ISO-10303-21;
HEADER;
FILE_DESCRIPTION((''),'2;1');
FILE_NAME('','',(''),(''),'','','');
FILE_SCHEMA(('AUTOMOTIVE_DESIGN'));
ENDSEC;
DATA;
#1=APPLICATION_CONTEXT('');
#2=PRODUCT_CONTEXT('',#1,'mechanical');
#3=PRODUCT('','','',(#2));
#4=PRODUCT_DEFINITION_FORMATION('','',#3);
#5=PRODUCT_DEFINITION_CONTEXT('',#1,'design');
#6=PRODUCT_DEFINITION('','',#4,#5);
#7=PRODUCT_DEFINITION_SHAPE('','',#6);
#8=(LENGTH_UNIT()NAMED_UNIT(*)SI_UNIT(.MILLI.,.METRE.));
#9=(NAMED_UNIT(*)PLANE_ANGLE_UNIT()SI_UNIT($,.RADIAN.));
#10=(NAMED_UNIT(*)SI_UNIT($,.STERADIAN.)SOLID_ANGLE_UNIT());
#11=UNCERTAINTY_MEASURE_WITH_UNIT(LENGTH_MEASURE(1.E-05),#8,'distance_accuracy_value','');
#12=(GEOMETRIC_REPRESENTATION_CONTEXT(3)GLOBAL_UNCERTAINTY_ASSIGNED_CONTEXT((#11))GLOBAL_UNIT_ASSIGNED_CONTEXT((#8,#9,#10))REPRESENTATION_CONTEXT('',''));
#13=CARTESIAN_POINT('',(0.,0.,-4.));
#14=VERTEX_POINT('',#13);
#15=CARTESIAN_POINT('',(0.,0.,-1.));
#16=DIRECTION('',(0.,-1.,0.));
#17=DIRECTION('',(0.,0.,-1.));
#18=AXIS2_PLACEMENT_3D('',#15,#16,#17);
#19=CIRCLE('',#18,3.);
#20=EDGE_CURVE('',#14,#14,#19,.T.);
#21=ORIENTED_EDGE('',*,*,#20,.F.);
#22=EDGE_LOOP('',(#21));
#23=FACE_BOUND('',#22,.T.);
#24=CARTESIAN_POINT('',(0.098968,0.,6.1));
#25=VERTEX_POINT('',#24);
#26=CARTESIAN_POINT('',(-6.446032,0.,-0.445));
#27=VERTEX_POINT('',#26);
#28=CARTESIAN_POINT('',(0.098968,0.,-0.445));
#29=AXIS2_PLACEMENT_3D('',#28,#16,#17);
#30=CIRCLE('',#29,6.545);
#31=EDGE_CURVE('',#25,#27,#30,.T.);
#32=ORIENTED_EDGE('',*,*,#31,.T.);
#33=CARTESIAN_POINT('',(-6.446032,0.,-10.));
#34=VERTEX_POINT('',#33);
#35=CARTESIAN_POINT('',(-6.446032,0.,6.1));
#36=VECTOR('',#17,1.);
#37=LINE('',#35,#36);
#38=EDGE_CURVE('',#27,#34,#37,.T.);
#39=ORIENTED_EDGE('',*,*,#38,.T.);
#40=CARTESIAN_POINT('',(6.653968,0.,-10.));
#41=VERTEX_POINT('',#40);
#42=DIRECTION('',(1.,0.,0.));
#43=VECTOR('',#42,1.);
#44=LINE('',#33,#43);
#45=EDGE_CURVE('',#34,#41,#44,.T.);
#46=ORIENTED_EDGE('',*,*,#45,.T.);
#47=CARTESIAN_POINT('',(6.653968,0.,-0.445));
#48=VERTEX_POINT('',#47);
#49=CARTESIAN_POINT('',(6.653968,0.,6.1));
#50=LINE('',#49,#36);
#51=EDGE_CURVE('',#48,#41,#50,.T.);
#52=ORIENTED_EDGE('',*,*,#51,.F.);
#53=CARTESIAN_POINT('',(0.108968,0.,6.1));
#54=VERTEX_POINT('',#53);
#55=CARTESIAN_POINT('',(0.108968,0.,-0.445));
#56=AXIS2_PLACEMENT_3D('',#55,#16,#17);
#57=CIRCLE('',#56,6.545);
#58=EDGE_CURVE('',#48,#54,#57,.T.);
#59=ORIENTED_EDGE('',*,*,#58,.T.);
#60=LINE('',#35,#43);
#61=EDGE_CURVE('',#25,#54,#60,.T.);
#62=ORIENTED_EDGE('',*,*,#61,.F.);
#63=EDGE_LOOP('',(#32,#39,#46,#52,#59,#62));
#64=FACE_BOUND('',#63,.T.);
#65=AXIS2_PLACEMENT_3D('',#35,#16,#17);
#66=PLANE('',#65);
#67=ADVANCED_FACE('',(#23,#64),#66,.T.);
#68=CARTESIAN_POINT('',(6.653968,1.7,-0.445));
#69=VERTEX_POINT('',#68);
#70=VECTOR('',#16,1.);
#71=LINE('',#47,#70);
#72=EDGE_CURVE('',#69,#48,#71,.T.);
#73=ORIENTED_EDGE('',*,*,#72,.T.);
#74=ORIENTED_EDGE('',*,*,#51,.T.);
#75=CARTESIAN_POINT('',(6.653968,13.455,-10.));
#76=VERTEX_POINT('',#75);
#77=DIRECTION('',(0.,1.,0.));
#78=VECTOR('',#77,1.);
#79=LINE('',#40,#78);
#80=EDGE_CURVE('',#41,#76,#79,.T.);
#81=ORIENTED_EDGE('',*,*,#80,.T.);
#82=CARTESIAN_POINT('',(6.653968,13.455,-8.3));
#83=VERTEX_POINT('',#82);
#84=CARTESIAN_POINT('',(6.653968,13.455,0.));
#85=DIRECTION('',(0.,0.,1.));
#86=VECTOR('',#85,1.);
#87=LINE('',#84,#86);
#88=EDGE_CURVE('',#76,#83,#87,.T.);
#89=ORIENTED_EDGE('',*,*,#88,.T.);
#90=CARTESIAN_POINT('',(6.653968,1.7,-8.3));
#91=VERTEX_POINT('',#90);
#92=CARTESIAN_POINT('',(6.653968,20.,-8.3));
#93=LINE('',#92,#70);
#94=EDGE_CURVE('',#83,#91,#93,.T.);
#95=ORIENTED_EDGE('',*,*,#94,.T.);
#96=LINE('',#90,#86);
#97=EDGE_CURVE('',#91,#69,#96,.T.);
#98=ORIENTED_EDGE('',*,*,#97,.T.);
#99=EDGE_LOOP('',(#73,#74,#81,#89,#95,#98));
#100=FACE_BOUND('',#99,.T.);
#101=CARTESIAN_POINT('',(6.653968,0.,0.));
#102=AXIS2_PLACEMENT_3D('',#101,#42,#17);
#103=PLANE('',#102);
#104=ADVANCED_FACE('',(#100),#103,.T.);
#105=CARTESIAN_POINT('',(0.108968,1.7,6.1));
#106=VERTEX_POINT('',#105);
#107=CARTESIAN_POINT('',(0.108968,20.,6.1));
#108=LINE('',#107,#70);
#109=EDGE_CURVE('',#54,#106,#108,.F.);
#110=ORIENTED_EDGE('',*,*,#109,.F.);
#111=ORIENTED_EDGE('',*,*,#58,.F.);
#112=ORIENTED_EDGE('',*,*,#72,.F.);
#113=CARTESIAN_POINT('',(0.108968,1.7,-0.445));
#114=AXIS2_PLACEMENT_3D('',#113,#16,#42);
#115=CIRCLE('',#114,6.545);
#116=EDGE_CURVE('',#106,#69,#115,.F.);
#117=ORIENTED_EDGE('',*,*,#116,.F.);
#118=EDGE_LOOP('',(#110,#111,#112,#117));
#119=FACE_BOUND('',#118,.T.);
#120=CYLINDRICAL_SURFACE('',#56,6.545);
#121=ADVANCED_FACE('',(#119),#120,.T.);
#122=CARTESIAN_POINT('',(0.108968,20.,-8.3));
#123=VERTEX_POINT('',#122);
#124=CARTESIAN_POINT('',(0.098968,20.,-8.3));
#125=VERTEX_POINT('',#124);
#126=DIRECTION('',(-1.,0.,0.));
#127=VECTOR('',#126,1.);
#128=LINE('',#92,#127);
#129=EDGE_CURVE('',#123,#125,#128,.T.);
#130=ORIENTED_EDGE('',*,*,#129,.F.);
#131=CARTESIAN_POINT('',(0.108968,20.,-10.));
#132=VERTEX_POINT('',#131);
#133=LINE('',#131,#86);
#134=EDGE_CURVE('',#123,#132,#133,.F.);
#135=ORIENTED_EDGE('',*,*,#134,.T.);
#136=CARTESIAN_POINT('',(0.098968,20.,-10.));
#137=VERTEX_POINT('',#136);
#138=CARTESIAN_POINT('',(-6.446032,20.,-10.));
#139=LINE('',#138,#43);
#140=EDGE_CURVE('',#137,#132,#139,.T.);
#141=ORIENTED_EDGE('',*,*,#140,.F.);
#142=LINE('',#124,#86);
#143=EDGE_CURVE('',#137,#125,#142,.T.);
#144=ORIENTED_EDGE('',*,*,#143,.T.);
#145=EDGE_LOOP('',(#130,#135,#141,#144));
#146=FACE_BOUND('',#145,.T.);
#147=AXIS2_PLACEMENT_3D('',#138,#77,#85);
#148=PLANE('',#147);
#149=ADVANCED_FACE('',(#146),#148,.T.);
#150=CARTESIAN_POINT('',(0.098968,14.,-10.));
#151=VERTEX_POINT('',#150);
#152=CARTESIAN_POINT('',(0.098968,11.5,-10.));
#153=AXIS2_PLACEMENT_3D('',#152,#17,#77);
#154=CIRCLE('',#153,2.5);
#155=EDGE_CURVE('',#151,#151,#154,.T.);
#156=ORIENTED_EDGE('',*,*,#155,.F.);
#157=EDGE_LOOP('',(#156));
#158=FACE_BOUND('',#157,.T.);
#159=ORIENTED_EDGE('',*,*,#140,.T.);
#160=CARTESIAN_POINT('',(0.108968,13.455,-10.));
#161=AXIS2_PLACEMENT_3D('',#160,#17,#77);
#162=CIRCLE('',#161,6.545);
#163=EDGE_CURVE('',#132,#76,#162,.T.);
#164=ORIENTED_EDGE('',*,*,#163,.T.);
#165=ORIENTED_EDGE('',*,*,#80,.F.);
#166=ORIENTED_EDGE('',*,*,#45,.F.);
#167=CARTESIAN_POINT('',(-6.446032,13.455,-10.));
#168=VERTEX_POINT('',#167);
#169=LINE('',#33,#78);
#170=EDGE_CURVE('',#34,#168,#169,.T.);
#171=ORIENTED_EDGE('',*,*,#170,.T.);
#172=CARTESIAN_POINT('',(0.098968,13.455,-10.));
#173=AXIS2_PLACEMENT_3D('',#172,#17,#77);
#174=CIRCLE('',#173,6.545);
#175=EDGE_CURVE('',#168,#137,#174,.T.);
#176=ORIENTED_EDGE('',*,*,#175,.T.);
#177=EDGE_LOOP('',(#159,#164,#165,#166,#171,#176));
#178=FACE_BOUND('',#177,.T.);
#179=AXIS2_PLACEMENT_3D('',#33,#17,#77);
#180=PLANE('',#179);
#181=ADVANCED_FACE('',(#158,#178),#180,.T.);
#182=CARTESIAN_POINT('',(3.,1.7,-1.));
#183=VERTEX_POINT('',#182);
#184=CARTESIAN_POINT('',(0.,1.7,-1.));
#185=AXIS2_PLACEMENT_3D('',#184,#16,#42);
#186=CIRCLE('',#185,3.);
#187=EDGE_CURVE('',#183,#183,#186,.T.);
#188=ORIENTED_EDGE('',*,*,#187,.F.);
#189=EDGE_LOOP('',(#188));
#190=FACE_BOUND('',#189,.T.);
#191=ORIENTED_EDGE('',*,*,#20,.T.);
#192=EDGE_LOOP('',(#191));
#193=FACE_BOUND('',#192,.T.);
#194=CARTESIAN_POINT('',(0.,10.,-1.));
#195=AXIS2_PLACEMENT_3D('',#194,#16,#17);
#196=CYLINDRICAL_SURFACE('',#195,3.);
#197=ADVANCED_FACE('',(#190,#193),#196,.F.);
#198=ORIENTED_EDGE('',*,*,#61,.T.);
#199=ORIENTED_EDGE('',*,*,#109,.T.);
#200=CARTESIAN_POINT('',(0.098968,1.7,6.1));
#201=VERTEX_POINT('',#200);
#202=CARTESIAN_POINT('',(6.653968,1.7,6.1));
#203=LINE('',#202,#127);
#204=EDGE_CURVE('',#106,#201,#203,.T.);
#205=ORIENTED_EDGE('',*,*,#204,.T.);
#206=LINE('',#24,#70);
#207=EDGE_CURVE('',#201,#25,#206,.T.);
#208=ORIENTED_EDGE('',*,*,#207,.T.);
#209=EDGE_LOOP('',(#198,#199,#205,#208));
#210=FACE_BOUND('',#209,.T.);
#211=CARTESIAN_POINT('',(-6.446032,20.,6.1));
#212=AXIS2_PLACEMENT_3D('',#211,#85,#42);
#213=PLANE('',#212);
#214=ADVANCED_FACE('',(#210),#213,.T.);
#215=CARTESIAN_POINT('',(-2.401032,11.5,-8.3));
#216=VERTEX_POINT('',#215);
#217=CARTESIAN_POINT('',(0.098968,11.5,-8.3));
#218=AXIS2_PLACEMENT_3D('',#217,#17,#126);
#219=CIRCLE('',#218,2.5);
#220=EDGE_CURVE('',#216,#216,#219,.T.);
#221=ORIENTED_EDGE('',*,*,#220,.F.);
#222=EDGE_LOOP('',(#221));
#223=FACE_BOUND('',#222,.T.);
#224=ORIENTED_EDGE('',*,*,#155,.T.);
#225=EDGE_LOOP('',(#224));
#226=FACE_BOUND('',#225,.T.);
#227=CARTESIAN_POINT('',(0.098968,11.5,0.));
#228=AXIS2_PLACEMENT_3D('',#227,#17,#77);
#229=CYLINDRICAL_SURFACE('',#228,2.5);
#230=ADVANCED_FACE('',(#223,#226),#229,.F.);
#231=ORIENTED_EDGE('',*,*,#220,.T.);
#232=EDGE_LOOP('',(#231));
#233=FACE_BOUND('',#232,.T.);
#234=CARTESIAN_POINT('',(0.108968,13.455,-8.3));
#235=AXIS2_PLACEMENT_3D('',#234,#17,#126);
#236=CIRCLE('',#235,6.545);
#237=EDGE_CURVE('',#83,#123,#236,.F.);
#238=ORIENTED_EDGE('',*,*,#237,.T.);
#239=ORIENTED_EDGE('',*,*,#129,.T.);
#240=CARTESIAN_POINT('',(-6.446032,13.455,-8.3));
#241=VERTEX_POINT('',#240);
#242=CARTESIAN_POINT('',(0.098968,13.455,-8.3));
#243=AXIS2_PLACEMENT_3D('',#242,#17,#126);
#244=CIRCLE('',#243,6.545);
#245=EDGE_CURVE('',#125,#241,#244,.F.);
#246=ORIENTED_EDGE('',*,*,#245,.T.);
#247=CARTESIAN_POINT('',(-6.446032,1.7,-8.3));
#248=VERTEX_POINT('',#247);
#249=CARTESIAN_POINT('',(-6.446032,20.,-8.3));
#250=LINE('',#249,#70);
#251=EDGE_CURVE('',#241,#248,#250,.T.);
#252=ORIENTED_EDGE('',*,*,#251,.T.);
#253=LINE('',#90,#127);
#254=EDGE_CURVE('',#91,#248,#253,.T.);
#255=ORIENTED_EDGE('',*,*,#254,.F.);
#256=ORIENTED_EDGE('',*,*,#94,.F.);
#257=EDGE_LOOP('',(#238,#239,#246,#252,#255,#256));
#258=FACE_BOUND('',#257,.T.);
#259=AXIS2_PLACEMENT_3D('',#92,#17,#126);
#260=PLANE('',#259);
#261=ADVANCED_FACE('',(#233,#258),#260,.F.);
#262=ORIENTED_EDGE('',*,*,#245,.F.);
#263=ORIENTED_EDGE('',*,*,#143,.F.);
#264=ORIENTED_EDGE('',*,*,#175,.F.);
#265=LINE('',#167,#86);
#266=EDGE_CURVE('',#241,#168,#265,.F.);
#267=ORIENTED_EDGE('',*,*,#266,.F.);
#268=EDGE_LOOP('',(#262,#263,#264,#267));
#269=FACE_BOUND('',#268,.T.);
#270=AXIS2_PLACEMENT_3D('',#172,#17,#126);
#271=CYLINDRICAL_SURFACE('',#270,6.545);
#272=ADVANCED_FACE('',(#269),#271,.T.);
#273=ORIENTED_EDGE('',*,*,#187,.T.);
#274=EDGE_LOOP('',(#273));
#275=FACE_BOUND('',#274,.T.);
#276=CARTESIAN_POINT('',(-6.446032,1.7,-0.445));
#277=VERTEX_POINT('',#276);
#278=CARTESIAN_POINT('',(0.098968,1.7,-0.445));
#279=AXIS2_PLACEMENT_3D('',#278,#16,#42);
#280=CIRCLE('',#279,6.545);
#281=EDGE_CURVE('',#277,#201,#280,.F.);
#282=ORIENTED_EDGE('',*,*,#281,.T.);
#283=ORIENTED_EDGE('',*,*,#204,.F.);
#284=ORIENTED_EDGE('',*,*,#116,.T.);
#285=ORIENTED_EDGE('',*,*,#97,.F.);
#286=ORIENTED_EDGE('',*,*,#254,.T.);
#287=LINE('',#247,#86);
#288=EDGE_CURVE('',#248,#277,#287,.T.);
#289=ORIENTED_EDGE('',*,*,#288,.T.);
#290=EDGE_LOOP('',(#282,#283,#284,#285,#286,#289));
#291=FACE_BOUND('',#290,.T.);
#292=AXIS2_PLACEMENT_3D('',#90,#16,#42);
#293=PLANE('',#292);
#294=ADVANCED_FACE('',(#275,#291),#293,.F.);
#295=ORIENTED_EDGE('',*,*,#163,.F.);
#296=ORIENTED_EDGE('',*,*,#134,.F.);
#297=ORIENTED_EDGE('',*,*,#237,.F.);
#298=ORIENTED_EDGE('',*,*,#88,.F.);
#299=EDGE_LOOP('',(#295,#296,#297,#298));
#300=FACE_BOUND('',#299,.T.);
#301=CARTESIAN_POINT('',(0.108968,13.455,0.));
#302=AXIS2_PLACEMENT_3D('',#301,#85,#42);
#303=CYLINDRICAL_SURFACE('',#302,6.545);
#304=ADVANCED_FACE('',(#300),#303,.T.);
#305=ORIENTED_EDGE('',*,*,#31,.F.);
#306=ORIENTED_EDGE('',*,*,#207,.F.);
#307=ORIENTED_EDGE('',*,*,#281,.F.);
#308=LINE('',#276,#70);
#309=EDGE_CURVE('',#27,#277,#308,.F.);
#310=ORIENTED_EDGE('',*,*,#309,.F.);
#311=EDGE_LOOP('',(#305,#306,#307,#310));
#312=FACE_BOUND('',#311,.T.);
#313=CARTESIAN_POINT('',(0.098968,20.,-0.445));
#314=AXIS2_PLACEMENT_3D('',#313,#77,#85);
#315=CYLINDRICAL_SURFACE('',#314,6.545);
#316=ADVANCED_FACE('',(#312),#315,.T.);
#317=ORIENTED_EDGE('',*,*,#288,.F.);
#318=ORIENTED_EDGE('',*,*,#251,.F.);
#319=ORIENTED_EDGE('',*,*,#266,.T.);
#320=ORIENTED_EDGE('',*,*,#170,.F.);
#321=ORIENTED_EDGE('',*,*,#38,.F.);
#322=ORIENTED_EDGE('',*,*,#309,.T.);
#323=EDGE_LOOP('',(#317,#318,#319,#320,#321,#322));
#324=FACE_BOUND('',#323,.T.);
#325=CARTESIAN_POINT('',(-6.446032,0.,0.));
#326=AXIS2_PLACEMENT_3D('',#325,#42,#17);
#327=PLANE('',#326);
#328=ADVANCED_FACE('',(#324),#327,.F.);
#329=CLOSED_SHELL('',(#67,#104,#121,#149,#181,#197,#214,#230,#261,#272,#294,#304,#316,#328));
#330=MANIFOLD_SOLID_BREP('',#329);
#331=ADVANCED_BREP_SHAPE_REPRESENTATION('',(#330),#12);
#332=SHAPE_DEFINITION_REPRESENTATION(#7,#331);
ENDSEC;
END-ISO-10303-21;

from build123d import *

# Parameters (mm, degrees)
SKETCH1_W           = 16.1
SKETCH1_H           = 20
BOSS_EXTRUDE1_DEPTH = 13.1
SKETCH2_W           = 14.4
SKETCH2_H           = 18.3
CUT_EXTRUDE1_DEPTH  = 26.915439414
FILLET1_R           = 6.545
SKETCH20_R          = 3
CUT_EXTRUDE2_DEPTH  = 10
SKETCH21_R          = 2.5
CUT_EXTRUDE3_DEPTH  = 10


with BuildPart() as part:
    # Sketch1 → Boss-Extrude1 (new body)
    with BuildSketch(Plane(origin=(6.653968254, 0, 0), x_dir=(0, 0, -1), z_dir=(1, 0, 0))):
        with Locations((1.95, 10)):
            Rectangle(SKETCH1_W, SKETCH1_H)
    extrude(amount=-BOSS_EXTRUDE1_DEPTH)

    # Sketch2 → Cut-Extrude1 (cut, through all)
    with BuildSketch(Plane.ZY.offset(6.446031746)):
        with Locations((-1.1, 10.85)):
            Rectangle(SKETCH2_W, SKETCH2_H)
    extrude(amount=-CUT_EXTRUDE1_DEPTH, mode=Mode.SUBTRACT)

    # Fillet1
    fillet1_edges = [part.edges().sort_by_distance(p)[0] for p in [
        (-6.446031746, 20, -9.15),
        (6.653968254, 0.85, 6.1),
        (-6.446031746, 0.85, 6.1),
        (6.653968254, 20, -9.15),
    ]]
    fillet(fillet1_edges, radius=FILLET1_R)

    # Sketch20 → Cut-Extrude2 (cut)
    with BuildSketch(Plane.XZ):
        with Locations(Location((0, -1, 0), (0, 0, 270))):
            Circle(SKETCH20_R)
    extrude(amount=-CUT_EXTRUDE2_DEPTH, mode=Mode.SUBTRACT)

    # Sketch21 → Cut-Extrude3 (cut)
    with BuildSketch(Plane(origin=(0, 0, -10), x_dir=(-1, 0, 0), z_dir=(0, 0, -1))):
        with Locations(Location((-0.098968254, 11.5, 0), (0, 0, 90))):
            Circle(SKETCH21_R)
    extrude(amount=-CUT_EXTRUDE3_DEPTH, mode=Mode.SUBTRACT)


solid = part.part
